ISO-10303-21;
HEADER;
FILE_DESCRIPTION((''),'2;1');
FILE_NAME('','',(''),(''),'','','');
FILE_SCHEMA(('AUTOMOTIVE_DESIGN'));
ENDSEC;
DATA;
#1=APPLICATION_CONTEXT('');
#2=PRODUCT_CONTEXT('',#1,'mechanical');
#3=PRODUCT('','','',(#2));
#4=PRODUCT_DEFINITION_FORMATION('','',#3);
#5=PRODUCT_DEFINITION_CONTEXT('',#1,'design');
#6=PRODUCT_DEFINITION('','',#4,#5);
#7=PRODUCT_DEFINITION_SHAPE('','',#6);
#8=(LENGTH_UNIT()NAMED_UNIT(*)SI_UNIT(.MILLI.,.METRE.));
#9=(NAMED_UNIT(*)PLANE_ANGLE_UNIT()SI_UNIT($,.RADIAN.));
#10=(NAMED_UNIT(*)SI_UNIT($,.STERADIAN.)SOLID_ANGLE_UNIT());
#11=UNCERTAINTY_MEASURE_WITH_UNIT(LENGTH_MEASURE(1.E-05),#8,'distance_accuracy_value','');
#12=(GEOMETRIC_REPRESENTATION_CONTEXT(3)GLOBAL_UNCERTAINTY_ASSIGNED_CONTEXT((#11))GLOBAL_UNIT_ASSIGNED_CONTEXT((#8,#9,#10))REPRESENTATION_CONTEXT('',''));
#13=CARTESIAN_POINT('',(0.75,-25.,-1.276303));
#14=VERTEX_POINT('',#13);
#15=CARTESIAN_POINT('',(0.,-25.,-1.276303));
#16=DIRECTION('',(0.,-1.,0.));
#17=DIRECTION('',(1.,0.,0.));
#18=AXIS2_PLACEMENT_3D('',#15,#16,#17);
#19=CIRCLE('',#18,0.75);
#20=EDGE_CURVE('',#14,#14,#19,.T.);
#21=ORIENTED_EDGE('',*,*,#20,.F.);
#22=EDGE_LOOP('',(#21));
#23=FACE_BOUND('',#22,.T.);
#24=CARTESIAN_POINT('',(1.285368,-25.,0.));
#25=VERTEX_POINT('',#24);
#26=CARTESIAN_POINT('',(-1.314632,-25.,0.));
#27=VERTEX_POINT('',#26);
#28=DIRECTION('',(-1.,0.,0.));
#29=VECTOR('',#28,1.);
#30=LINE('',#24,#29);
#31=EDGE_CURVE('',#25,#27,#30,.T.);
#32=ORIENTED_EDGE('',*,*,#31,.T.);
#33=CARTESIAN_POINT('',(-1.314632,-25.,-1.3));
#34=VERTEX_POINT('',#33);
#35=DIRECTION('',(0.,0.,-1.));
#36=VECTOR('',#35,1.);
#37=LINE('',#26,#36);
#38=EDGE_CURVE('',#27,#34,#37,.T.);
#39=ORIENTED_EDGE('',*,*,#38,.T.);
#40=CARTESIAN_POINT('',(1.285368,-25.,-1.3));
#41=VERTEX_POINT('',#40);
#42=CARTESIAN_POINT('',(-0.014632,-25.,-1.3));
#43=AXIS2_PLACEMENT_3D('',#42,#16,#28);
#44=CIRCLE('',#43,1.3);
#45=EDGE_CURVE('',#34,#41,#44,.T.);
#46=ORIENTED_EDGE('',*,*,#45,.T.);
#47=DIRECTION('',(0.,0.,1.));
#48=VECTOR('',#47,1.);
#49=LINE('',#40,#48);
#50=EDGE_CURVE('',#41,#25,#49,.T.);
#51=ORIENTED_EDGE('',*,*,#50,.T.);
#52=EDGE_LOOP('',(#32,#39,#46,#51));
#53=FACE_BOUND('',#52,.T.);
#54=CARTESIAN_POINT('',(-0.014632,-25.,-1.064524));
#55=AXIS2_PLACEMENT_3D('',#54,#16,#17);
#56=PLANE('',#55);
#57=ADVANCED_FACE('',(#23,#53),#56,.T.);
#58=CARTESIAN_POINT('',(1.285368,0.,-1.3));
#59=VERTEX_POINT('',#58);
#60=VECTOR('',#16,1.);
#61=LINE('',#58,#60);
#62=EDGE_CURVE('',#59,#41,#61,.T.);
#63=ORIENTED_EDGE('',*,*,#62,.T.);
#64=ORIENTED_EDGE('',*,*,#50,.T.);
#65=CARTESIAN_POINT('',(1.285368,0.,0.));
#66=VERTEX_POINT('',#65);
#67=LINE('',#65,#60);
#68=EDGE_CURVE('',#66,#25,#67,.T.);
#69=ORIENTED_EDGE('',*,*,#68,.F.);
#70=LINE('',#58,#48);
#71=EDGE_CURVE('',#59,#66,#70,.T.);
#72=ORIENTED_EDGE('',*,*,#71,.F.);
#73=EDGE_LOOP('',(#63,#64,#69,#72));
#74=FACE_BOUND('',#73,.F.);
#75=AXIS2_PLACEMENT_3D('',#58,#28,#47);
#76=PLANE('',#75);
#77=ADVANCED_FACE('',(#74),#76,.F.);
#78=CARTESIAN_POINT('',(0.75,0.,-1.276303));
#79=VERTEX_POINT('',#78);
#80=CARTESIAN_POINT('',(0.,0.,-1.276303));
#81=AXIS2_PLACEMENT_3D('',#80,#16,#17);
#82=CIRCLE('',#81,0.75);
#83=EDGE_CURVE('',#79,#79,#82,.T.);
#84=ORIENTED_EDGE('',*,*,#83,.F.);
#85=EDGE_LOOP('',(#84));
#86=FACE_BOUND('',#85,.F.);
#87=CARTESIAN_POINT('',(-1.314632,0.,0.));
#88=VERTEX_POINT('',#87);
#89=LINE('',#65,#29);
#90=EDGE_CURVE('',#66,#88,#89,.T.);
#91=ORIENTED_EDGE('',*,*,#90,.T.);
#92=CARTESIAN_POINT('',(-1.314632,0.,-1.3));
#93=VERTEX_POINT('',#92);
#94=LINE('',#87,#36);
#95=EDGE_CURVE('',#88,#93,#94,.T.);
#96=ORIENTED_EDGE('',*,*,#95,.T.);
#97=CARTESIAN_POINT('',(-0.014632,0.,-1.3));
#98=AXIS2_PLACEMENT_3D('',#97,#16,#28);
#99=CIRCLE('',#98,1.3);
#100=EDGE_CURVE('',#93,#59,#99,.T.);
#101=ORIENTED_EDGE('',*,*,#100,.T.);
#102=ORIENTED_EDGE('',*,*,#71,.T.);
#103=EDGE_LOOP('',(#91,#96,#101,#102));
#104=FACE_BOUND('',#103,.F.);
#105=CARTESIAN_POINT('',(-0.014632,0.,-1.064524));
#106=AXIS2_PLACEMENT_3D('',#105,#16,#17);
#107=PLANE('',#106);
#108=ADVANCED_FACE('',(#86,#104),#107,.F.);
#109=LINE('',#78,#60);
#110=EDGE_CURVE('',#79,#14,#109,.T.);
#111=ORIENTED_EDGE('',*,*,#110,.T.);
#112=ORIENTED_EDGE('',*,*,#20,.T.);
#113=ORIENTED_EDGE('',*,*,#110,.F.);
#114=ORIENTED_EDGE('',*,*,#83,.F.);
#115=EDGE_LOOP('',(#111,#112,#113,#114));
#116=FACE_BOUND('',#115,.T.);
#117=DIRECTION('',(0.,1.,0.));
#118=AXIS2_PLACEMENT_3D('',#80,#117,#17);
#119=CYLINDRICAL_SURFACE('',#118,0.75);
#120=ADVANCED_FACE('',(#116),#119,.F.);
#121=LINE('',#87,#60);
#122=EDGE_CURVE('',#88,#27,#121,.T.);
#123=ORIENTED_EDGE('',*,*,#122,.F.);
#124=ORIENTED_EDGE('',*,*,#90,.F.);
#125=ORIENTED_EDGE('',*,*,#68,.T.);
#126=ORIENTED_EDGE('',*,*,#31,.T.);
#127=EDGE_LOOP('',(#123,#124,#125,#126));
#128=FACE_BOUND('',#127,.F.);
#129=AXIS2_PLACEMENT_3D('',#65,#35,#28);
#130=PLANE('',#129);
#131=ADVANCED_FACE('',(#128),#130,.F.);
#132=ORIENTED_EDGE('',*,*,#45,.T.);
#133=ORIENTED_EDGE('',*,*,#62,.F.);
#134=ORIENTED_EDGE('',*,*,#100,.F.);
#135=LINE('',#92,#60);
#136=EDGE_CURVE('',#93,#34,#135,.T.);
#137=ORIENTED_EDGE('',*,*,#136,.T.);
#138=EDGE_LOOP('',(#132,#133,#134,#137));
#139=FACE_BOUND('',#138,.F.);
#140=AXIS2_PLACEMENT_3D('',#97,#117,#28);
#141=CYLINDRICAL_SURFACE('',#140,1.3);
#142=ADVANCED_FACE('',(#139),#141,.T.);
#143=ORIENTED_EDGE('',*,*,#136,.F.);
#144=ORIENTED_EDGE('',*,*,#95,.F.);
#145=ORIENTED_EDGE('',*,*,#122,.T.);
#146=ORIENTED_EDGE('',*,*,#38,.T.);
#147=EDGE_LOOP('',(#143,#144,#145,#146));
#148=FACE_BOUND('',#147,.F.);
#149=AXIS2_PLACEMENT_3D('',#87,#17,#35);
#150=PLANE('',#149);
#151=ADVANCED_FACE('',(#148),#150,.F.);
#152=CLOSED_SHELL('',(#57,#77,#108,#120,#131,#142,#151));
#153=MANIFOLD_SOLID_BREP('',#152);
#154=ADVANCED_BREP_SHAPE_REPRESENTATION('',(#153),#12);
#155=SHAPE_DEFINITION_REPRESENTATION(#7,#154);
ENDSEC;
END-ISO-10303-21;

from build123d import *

# Parameters (mm, degrees)
F1_DEPTH = 25
F2_R     = 0.75
F3_DEPTH = 25


with BuildPart() as f1:
    # F0 (on Front) → F1 (new body)
    with BuildSketch(Plane.XZ):
        with BuildLine():
            Line((1.285368, 0), (-1.314632, 0))
            Line((-1.314632, 0), (-1.314632, -1.3))
            ThreePointArc((-1.314632, -1.3), (-0.014632, -2.6), (1.285368, -1.3))
            Line((1.285368, -1.3), (1.285368, 0))
        make_face()
    extrude(amount=F1_DEPTH)

    # F2 (on Front) → F3 (cut)
    with BuildSketch(Plane.XZ):
        with Locations((0, -1.276303)):
            Circle(F2_R)
    extrude(amount=F3_DEPTH, mode=Mode.SUBTRACT)


solid = f1.part
